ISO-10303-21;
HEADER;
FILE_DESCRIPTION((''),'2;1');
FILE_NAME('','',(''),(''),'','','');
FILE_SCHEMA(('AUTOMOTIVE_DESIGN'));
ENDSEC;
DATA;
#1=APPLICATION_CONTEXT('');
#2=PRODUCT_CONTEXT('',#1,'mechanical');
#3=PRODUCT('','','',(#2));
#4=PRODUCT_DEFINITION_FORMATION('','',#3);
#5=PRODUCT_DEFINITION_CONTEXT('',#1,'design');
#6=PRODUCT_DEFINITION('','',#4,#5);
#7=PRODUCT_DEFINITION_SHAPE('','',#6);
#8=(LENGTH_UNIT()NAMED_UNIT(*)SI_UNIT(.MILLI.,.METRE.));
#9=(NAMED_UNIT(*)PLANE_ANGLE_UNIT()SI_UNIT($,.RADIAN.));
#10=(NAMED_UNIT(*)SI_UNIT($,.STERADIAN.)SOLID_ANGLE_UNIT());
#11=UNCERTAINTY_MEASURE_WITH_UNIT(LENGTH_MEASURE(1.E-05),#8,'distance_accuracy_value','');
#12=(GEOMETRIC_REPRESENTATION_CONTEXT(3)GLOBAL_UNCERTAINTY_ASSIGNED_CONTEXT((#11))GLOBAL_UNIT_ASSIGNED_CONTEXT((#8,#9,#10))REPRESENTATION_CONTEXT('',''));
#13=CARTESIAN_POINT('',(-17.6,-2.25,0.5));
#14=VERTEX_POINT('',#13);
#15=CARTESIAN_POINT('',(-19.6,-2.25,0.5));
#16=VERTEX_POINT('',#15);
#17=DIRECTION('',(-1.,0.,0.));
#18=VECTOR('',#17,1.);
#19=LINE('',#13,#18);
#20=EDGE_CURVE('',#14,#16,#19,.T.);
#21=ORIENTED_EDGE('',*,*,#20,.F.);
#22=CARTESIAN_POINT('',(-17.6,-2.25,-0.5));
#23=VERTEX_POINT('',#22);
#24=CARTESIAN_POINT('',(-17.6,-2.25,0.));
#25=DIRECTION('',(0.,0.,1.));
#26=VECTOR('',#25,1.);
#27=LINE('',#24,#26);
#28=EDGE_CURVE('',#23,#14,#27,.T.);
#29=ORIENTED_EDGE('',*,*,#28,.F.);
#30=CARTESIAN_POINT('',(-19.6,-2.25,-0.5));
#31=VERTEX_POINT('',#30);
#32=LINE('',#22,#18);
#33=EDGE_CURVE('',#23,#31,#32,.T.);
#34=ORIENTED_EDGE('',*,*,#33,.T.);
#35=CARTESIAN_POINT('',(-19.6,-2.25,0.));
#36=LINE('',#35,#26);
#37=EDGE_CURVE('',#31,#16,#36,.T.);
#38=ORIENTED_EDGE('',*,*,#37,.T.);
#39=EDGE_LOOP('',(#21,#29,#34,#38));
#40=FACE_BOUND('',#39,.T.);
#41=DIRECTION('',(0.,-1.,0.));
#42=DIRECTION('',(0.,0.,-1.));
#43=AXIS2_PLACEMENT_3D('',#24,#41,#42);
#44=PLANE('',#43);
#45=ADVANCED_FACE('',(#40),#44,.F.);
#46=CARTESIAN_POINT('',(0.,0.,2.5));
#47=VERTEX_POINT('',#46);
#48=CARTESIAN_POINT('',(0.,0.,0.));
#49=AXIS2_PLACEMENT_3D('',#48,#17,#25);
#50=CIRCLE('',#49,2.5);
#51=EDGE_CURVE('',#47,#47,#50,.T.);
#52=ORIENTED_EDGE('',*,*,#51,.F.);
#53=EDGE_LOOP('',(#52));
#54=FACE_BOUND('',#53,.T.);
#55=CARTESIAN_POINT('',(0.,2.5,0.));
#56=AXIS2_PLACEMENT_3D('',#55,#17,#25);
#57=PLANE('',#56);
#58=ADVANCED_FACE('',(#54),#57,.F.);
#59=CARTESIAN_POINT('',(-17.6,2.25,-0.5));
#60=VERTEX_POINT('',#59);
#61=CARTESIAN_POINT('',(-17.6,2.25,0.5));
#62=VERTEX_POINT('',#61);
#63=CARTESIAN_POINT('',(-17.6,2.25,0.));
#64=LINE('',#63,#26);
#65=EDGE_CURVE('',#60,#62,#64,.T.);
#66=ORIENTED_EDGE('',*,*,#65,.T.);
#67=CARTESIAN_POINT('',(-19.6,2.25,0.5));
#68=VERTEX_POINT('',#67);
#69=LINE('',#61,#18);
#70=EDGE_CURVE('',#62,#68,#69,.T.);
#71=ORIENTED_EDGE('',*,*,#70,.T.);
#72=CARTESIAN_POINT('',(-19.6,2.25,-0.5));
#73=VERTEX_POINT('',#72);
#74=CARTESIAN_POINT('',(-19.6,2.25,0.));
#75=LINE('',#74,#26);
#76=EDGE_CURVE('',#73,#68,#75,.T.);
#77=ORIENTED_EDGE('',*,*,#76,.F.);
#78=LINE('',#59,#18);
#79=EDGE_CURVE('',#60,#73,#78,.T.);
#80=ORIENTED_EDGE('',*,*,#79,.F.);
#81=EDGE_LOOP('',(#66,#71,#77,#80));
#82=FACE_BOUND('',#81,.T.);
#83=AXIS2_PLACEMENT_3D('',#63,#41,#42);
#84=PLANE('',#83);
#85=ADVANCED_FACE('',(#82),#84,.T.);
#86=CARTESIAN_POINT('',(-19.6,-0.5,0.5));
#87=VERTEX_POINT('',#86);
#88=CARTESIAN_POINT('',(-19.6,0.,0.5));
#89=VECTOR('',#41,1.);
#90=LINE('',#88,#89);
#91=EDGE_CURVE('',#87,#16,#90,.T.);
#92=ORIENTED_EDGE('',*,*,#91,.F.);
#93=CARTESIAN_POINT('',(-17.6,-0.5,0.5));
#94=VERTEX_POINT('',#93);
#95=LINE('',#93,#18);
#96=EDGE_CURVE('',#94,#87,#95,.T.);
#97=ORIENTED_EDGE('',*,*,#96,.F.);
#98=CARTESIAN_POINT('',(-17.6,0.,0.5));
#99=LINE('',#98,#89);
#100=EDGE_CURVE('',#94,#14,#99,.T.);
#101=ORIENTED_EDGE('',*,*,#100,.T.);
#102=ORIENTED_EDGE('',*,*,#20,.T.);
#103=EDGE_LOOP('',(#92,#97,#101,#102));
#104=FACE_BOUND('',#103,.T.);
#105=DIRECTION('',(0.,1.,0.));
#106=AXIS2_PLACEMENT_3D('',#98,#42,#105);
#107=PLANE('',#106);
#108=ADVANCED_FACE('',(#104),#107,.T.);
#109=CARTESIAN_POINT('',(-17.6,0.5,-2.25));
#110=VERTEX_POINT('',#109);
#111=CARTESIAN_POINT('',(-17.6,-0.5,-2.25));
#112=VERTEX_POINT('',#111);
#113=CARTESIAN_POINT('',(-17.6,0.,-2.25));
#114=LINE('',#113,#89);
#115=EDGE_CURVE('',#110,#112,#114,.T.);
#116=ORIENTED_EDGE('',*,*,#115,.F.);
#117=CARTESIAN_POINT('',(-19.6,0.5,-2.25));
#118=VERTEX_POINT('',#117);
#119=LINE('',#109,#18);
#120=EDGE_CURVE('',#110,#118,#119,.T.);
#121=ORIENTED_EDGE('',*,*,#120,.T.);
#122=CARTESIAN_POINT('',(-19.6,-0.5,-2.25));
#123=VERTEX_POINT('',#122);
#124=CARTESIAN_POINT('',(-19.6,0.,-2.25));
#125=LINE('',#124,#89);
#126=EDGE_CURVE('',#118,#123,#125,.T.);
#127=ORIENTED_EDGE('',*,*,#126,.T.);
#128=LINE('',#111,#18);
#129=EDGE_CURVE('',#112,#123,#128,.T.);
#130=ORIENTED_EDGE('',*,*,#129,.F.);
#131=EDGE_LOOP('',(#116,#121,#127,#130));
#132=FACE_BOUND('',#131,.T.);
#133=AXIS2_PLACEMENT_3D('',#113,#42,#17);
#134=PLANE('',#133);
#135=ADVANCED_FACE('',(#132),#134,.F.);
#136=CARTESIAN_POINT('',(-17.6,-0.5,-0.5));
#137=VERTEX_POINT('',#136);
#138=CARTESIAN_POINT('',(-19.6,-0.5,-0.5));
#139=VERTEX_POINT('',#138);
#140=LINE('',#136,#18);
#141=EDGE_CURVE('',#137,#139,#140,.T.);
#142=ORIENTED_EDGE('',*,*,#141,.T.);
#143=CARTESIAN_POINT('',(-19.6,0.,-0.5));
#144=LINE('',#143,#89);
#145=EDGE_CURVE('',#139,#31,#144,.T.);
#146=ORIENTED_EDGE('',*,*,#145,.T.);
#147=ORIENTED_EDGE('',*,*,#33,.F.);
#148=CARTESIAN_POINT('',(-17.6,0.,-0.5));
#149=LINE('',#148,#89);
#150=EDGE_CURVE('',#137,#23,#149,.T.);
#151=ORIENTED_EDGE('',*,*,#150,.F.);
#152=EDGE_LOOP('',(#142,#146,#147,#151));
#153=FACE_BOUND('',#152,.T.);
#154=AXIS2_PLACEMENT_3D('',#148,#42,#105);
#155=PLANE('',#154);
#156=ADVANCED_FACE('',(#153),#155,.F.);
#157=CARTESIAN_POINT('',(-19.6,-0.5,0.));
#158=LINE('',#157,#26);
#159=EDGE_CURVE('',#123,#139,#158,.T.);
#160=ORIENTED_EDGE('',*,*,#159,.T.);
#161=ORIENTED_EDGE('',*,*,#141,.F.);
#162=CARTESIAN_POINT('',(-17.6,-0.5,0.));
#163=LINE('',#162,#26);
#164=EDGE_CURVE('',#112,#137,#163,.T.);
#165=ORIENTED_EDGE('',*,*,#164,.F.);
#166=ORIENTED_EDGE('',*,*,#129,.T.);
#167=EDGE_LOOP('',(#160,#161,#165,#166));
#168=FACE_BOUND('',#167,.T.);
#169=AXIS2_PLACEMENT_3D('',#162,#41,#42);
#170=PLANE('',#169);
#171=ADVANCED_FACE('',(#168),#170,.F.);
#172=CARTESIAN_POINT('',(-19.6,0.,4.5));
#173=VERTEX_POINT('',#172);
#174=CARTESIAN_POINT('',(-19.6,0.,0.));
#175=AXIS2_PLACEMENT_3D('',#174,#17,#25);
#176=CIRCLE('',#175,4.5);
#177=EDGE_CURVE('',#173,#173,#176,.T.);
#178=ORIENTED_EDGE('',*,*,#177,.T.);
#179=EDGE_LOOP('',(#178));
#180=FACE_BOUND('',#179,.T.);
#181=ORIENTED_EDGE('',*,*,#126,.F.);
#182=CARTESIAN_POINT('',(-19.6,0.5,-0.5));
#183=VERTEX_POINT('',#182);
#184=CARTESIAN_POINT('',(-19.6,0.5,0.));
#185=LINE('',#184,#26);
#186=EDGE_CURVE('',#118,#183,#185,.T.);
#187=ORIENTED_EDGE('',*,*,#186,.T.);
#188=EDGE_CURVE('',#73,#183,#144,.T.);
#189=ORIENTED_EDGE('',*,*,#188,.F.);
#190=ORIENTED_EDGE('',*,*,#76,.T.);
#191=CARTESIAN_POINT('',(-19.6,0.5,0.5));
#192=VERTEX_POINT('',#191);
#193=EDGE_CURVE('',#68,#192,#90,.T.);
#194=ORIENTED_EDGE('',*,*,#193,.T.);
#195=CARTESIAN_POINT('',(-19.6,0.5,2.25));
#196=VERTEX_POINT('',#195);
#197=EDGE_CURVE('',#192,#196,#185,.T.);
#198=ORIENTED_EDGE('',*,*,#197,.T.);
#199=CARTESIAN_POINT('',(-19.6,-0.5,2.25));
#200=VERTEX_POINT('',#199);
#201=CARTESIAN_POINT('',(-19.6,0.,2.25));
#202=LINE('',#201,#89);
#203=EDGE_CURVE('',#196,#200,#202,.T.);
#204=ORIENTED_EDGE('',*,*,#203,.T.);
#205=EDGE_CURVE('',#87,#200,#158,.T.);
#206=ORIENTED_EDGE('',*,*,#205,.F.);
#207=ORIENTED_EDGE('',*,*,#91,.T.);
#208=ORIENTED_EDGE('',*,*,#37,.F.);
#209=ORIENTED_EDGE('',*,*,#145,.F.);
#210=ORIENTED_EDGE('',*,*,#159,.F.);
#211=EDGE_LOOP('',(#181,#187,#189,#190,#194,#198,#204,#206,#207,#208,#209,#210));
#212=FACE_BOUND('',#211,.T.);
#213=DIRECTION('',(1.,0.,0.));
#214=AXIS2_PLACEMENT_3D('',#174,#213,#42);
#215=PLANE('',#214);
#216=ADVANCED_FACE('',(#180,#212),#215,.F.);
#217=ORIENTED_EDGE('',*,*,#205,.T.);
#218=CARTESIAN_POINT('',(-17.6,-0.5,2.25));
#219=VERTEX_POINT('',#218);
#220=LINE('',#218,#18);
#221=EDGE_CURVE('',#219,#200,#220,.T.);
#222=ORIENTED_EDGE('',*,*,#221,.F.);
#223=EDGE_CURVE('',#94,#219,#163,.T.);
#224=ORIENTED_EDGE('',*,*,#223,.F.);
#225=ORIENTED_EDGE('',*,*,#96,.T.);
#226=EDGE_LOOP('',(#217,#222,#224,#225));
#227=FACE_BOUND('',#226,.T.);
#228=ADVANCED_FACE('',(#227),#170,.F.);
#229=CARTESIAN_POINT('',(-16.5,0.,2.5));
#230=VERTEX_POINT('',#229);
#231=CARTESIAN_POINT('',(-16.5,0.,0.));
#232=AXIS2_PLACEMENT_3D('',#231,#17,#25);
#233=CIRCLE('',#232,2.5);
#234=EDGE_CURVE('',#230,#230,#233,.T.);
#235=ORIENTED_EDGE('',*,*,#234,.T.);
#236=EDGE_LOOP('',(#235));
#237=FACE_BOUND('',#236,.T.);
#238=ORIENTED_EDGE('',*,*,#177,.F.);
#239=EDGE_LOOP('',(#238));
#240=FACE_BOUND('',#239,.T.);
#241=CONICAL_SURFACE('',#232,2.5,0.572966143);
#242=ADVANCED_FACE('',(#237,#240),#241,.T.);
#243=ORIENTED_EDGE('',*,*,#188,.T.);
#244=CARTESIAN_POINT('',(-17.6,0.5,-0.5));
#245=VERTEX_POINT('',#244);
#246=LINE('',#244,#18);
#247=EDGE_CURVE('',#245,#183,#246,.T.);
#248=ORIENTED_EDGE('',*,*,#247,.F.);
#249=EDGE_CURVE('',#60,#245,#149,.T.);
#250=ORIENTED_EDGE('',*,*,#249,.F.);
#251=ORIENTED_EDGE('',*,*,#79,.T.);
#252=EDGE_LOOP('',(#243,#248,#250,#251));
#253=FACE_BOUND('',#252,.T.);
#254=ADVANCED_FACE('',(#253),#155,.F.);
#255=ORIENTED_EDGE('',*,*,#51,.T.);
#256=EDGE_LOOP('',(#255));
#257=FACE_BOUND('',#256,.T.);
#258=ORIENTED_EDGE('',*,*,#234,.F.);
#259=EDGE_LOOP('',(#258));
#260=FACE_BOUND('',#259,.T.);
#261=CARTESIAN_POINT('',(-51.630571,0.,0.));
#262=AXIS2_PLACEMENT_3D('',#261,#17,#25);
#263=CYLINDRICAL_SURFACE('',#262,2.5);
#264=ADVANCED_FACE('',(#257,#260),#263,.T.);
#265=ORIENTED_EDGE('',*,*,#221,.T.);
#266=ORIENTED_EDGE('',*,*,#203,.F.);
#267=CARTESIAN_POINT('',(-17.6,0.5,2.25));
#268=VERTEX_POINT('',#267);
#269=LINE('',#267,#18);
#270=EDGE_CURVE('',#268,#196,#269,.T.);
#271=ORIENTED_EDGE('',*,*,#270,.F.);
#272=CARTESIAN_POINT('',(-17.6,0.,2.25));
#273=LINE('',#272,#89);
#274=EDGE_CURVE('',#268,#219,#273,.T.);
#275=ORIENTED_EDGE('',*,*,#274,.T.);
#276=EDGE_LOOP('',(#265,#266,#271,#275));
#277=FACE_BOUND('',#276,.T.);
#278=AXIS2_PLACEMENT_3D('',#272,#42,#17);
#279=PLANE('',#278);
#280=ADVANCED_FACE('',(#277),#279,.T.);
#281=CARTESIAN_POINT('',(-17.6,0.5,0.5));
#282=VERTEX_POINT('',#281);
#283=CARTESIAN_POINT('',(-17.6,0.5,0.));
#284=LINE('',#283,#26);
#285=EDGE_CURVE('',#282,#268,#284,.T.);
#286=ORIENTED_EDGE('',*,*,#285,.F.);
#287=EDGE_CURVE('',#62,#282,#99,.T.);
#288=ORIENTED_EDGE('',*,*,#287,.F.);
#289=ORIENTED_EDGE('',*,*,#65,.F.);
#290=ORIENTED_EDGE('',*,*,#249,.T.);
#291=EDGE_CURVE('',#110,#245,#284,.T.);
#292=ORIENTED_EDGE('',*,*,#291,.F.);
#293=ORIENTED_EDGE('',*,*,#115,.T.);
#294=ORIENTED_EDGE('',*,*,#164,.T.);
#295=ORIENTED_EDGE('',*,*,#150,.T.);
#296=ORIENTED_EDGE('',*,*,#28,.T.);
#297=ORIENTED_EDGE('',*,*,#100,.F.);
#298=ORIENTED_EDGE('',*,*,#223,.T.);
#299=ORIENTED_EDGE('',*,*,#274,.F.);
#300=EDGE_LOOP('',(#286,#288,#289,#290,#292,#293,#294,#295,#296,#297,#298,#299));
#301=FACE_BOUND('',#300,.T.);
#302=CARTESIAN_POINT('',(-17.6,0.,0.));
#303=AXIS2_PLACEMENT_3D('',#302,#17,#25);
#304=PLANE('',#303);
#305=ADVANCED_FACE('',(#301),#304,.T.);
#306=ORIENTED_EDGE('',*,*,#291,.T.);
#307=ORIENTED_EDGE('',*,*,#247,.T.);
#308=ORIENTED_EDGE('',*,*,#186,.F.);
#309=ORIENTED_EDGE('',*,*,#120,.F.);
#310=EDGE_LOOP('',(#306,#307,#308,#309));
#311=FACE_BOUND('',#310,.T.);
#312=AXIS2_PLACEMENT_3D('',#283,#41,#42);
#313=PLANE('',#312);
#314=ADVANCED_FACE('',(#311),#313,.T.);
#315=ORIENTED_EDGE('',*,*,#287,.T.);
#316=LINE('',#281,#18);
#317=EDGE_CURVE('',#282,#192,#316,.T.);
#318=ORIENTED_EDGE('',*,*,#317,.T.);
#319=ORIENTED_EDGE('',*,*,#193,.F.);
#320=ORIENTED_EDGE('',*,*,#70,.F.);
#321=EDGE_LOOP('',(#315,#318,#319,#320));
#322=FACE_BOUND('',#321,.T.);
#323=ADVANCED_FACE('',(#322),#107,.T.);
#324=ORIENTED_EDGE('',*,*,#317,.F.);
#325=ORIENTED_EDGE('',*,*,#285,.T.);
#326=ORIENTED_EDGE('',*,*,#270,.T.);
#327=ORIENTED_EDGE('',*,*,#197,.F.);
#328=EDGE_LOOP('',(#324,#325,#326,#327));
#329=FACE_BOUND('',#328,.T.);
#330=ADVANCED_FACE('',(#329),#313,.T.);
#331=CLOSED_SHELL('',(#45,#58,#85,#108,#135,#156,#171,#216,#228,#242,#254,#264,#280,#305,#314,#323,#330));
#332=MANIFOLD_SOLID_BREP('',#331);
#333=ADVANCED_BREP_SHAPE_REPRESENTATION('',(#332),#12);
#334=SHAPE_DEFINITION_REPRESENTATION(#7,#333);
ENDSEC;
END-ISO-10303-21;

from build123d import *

# Parameters (mm, degrees)
SKETCH_2_W          = 1
SKETCH_2_H          = 1.75
SKETCH_2_W_2        = 1.75
SKETCH_2_H_2        = 1
CUT_EXTRUDE_1_DEPTH = 2


with BuildPart() as part:
    # Эскиз1 → Повернуть1 (revolve)
    with BuildSketch(Plane.XY, mode=Mode.PRIVATE) as revolve_1_sk:
        Polygon((-19.6, 0), (-19.6, 4.5), (-16.5, 2.5), (0, 2.5), (0, 0), align=None)
    revolve(revolve_1_sk.sketch.rotate(Axis((-51.630571285, 0, 0), (1, 0, 0)), 90), axis=Axis((-51.630571285, 0, 0), (1, 0, 0)))

    # Эскиз2 → Вырез-Вытянуть1 (cut)
    with BuildSketch(Plane.ZY.offset(19.6)):
        with Locations((0, 1.375)):
            Rectangle(SKETCH_2_W, SKETCH_2_H)
        with Locations((1.375, 0)):
            Rectangle(SKETCH_2_W_2, SKETCH_2_H_2)
        with Locations((0, -1.375)):
            Rectangle(SKETCH_2_W, SKETCH_2_H)
        with Locations((-1.375, 0)):
            Rectangle(SKETCH_2_W_2, SKETCH_2_H_2)
        Rectangle(SKETCH_2_W, SKETCH_2_H_2)
    extrude(amount=-CUT_EXTRUDE_1_DEPTH, mode=Mode.SUBTRACT)


solid = part.part
